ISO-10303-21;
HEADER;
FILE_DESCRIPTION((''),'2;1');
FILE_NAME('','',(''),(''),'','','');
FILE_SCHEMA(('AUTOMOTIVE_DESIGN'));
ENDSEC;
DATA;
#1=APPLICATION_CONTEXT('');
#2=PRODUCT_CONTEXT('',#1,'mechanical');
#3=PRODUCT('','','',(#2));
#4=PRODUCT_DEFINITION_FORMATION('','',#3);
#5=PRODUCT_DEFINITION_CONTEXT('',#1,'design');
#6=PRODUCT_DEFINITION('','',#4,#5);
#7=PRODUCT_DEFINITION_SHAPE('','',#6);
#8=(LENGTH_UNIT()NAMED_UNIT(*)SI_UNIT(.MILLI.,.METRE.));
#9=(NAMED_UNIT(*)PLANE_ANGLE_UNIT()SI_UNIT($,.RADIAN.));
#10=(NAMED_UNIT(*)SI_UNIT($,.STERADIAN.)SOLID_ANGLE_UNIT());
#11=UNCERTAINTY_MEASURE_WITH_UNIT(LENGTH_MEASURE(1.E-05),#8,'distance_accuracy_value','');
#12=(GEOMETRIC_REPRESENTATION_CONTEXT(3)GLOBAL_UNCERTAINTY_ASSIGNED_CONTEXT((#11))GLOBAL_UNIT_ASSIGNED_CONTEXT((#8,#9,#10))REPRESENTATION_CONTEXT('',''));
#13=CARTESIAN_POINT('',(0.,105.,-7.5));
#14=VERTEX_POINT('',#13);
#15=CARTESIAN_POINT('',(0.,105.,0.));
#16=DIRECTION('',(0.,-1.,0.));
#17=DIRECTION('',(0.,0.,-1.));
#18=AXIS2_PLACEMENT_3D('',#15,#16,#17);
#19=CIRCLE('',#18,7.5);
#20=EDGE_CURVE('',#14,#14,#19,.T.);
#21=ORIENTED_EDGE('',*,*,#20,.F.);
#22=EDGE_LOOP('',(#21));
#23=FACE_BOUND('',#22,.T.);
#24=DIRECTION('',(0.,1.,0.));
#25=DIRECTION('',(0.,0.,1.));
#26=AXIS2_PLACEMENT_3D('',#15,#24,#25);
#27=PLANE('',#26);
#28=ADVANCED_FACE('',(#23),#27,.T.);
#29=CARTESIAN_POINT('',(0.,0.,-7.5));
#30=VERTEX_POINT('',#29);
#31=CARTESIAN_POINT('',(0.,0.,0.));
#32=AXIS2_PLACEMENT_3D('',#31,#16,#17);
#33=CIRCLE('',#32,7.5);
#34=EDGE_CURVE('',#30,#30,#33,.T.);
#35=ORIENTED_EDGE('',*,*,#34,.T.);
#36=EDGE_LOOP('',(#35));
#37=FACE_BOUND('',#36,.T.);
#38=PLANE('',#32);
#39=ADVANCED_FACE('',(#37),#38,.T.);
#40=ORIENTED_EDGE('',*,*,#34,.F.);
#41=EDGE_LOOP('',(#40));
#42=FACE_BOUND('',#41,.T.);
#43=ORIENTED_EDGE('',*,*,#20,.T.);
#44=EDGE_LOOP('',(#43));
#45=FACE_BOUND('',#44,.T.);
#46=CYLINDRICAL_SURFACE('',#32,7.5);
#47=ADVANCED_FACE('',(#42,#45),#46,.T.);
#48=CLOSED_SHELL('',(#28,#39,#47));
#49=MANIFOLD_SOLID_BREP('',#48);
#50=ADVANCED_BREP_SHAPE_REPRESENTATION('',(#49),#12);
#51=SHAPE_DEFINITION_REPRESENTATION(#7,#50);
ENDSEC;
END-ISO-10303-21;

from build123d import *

# Parameters (mm, degrees)
SKETCH1_W = 7.5
SKETCH1_H = 105


with BuildPart() as part:
    # Sketch1 → Revolve1 (revolve)
    with BuildSketch(Plane.XY):
        with Locations((3.75, 52.5)):
            Rectangle(SKETCH1_W, SKETCH1_H)
    revolve(axis=Axis((0, 0, 0), (0, 1, 0)))


solid = part.part
